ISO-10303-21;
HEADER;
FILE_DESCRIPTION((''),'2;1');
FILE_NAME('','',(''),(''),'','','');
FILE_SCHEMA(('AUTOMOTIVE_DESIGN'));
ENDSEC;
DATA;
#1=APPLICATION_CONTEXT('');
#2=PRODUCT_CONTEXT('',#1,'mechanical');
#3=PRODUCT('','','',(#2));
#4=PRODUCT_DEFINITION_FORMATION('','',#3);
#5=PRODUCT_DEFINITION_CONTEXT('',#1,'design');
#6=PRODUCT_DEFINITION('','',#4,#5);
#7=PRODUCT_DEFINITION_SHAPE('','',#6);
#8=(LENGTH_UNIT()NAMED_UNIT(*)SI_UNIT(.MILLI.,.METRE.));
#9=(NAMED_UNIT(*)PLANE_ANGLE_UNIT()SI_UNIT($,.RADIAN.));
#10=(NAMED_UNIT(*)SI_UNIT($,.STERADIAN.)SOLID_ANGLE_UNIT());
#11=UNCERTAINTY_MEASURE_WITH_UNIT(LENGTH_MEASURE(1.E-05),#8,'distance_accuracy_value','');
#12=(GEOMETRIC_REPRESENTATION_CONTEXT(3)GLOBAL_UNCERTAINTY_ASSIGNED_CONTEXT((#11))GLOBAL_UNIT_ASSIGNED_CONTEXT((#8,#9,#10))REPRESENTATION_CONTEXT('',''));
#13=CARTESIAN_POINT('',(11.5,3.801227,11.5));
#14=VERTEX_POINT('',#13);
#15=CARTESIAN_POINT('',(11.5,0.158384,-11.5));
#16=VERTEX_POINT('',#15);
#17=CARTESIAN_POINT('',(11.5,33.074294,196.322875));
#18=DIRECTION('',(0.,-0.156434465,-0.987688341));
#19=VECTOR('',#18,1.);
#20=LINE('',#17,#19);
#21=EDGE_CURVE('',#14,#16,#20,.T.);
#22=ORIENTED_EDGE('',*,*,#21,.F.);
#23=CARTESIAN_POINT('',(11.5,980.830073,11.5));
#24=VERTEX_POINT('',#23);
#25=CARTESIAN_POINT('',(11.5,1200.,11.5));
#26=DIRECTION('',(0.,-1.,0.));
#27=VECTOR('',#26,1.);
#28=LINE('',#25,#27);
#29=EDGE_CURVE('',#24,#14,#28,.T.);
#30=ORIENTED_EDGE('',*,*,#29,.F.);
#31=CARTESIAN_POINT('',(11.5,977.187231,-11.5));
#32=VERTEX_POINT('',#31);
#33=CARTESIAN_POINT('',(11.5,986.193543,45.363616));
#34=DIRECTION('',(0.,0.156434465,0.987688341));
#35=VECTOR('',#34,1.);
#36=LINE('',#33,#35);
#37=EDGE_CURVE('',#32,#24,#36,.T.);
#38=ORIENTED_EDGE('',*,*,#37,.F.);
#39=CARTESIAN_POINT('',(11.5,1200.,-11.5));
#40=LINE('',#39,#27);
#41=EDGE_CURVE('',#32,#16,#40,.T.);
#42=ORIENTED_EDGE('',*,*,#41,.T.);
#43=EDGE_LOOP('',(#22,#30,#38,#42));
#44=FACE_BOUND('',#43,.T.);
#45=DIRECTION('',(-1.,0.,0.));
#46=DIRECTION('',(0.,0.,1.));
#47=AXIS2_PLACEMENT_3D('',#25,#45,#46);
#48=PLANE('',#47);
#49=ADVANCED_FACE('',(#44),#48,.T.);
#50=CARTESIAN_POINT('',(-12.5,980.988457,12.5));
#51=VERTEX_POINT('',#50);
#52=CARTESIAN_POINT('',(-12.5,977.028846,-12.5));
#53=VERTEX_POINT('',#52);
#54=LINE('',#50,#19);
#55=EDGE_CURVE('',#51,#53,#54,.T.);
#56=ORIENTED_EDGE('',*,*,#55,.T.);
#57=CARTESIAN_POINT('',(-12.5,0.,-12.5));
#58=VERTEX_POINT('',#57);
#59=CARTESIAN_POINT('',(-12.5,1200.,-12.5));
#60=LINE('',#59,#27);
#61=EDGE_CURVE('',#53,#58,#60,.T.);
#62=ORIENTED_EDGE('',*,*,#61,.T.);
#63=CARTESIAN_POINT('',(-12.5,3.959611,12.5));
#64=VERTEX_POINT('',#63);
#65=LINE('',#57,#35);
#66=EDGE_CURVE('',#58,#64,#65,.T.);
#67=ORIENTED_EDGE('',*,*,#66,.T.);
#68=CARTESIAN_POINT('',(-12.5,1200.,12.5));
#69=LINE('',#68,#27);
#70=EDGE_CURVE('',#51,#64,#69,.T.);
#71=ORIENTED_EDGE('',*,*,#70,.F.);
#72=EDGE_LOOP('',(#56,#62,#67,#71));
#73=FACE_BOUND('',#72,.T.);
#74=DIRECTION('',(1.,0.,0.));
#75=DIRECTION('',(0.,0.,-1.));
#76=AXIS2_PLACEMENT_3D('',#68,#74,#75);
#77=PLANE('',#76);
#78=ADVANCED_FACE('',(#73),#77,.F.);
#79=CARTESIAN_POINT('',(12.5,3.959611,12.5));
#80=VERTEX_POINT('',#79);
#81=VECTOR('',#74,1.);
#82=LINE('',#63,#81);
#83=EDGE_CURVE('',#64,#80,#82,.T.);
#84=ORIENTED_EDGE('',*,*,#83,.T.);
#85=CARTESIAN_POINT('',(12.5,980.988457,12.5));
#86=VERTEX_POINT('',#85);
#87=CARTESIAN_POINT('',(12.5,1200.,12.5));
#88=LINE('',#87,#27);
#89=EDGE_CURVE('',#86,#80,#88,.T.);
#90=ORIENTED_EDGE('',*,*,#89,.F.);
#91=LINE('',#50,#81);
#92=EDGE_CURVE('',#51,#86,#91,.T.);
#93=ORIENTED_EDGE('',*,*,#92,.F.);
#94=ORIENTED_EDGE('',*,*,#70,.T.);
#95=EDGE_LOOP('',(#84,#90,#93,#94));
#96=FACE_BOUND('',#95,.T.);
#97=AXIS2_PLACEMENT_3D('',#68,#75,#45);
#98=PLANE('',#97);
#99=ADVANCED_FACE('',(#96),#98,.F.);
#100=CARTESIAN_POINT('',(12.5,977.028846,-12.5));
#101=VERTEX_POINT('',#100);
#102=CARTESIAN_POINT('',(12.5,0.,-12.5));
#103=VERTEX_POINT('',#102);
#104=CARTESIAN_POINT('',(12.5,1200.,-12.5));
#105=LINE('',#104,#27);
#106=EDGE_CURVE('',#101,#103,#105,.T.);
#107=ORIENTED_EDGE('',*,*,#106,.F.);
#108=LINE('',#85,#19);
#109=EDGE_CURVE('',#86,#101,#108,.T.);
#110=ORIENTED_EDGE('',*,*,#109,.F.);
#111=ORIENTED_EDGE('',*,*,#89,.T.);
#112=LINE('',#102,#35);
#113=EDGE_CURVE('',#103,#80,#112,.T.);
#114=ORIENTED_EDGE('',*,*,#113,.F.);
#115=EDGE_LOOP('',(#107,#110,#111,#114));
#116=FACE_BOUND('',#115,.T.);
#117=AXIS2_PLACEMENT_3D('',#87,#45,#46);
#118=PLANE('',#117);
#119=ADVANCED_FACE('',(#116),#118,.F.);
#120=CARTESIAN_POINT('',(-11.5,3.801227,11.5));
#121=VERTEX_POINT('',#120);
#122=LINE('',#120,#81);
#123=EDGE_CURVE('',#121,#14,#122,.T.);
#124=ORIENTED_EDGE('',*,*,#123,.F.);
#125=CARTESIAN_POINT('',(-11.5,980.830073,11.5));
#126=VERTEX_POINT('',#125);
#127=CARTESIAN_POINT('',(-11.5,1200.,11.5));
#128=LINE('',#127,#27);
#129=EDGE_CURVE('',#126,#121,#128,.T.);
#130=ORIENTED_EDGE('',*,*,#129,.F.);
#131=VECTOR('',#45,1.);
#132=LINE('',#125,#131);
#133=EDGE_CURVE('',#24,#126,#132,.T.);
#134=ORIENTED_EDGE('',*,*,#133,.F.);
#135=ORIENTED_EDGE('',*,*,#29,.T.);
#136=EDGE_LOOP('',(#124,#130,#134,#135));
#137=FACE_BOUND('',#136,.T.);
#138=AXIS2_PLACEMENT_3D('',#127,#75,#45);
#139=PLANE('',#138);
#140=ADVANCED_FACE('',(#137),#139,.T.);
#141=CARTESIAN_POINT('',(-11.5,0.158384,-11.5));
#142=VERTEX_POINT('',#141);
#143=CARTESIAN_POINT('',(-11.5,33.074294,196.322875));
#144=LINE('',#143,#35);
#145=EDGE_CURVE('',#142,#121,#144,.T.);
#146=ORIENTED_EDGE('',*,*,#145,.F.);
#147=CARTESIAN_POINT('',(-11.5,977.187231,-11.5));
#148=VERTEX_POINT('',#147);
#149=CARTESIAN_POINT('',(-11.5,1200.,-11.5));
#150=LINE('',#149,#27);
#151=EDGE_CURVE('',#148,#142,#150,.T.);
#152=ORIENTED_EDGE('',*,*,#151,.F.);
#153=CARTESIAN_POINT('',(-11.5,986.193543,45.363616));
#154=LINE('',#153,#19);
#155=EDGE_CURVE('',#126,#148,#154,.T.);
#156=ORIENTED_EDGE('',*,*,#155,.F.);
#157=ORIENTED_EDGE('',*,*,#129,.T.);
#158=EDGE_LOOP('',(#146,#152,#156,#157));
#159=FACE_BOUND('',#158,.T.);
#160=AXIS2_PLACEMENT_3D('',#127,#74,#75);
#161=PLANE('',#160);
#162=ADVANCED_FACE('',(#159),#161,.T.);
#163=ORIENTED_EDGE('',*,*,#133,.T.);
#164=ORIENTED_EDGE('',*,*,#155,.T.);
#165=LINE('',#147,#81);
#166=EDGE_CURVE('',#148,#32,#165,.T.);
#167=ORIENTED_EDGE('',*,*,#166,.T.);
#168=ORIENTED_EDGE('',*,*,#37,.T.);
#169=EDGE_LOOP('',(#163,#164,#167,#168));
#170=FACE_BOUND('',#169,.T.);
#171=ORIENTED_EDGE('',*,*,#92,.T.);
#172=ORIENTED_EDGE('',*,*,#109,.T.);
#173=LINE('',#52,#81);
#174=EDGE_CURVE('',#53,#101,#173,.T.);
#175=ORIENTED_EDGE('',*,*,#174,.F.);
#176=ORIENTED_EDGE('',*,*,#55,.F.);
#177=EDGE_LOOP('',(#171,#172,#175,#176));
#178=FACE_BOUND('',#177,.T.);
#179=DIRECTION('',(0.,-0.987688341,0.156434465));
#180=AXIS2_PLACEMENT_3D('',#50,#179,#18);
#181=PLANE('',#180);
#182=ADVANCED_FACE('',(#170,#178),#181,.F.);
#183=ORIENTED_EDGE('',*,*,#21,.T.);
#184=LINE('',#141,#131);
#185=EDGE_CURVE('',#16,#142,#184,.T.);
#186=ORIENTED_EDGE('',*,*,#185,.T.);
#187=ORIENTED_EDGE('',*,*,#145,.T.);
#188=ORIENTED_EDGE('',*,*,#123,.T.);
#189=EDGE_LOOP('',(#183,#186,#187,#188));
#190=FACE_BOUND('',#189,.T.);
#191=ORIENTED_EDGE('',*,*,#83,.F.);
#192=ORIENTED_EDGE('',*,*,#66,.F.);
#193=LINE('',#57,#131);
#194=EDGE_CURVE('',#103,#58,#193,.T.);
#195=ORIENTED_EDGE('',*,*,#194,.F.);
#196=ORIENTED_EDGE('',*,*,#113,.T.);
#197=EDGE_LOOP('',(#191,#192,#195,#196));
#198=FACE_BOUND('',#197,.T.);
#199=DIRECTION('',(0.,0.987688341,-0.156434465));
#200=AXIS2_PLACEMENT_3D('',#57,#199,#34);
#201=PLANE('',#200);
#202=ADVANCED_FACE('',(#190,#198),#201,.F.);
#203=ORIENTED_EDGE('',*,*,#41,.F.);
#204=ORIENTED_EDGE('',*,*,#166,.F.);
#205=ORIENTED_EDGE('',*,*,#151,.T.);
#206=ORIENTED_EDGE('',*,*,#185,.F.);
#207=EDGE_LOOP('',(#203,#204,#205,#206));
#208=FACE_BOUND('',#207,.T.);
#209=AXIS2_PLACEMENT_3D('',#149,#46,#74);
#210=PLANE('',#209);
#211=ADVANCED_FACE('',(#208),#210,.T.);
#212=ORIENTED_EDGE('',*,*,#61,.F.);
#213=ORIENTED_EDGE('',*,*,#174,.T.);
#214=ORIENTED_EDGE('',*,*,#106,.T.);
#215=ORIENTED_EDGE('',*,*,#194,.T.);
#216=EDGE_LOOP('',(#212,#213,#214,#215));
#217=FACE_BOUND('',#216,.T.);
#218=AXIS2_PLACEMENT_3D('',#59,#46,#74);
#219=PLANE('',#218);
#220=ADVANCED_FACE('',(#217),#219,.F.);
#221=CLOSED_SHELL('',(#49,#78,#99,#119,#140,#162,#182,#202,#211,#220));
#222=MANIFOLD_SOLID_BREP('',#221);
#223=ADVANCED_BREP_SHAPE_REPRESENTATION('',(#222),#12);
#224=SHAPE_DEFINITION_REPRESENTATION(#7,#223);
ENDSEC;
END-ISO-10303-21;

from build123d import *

# Parameters (mm, degrees)
SKETCH1_W           = 25
SKETCH1_H           = 25
SKETCH1_W_2         = 23
SKETCH1_H_2         = 23
BOSS_EXTRUDE1_DEPTH = 1200
CUT_EXTRUDE1_DEPTH  = 1201.325476694


with BuildPart() as part:
    # Sketch1 → Boss-Extrude1 (new body)
    with BuildSketch(Plane(origin=(0, 0, 0), x_dir=(1, 0, 0), z_dir=(0, 1, 0))):
        Rectangle(SKETCH1_W, SKETCH1_H)
        Rectangle(SKETCH1_W_2, SKETCH1_H_2, mode=Mode.SUBTRACT)
    extrude(amount=BOSS_EXTRUDE1_DEPTH)

    # Sketch2 → Cut-Extrude1 (cut, through all)
    with BuildSketch(Plane(origin=(12.5, 0, 0), x_dir=(0, 0, -1), z_dir=(1, 0, 0))):
        Polygon((12.5, 0), (-12.5, 3.959611008), (-12.5, 0), align=None)
        Polygon((12.5, 1200), (-12.5, 1200), (-12.5, 980.988457394), (12.5, 977.028846385), align=None)
    extrude(amount=-CUT_EXTRUDE1_DEPTH, mode=Mode.SUBTRACT)


solid = part.part
